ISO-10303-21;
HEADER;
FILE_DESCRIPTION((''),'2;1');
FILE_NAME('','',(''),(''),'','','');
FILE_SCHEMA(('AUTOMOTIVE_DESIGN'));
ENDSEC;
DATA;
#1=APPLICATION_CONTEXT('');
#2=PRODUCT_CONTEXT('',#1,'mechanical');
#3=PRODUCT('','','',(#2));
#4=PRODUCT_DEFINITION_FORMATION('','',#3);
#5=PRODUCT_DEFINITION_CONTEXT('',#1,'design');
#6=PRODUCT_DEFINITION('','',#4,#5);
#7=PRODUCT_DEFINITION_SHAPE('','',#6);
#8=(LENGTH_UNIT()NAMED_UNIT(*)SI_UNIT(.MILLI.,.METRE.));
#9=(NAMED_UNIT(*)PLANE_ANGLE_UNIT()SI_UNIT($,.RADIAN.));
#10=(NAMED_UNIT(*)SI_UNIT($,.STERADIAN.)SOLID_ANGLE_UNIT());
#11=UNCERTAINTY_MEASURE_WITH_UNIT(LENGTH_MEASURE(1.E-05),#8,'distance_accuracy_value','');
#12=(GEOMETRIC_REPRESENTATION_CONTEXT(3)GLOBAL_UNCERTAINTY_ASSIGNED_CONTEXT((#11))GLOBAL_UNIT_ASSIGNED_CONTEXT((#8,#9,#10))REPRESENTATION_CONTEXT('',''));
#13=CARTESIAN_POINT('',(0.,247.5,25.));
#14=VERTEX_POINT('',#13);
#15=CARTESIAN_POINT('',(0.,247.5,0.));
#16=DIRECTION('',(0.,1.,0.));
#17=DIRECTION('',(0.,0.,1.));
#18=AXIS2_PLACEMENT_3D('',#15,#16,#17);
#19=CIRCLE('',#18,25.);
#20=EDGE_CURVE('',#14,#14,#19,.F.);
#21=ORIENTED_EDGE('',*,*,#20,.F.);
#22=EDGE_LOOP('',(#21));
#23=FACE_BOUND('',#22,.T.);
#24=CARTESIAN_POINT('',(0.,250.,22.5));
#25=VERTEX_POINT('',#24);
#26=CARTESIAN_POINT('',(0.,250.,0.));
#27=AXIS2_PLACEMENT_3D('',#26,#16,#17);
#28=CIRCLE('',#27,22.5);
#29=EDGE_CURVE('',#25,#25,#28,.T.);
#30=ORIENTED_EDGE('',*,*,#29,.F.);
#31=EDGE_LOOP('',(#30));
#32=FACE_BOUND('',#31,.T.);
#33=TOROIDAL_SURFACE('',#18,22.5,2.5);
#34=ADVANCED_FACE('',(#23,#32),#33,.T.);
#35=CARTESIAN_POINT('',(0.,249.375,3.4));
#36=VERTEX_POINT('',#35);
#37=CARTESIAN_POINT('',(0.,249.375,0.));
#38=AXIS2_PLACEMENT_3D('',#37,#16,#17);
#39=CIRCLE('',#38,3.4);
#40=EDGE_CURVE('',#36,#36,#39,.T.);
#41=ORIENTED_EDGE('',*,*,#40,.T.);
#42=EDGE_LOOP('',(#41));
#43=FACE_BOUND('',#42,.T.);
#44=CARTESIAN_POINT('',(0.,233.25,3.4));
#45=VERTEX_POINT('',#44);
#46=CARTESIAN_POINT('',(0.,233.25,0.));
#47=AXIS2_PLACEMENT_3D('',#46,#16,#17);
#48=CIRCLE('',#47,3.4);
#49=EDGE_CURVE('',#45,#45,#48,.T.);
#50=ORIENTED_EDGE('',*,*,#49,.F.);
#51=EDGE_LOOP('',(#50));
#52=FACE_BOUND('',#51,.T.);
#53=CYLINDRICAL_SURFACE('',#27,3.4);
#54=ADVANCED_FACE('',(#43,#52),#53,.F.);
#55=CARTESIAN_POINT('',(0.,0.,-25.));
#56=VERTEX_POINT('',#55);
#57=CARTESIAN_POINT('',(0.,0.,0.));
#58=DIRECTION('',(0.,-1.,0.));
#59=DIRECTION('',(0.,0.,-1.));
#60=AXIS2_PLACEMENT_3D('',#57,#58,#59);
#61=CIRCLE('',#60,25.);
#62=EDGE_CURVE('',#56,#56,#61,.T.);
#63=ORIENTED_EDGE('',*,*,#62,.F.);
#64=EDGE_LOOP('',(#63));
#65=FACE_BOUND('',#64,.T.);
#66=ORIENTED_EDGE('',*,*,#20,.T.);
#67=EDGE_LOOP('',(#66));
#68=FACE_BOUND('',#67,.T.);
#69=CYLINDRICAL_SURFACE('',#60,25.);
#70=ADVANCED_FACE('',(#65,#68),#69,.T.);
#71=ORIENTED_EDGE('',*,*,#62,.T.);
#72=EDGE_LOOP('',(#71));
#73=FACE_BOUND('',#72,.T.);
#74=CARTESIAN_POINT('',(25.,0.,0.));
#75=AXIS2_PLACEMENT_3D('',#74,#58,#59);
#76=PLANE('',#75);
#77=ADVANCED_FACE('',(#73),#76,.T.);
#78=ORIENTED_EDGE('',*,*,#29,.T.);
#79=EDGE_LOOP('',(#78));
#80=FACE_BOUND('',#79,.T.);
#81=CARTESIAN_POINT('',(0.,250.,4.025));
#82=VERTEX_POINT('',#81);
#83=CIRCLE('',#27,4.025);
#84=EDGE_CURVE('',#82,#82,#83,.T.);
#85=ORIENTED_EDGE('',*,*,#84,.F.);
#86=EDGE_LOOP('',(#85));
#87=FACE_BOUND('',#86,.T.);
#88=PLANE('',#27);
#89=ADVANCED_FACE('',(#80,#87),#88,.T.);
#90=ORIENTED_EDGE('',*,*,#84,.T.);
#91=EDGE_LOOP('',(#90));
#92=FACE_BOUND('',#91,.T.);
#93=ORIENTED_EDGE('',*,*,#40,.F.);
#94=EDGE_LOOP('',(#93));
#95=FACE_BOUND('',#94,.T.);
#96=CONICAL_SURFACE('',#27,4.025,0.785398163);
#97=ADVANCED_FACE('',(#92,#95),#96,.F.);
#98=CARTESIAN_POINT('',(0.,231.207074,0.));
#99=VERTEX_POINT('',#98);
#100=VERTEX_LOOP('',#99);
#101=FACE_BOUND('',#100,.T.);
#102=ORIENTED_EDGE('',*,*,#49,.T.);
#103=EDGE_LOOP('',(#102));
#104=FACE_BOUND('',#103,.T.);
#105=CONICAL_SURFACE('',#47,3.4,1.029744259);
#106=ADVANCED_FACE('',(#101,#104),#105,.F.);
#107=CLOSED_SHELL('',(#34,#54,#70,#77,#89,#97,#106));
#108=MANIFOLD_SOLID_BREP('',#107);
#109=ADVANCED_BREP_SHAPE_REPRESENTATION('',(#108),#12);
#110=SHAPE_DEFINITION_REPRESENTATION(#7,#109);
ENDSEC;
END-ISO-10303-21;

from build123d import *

# Parameters (mm, degrees)
SKETCH1_W                   = 25
SKETCH1_H                   = 250
M8_TAPPED_HOLE1_D           = 6.8
M8_TAPPED_HOLE1_DEPTH       = 16.75
M8_TAPPED_HOLE1_CSINK_D     = 8.05
M8_TAPPED_HOLE1_CSINK_ANGLE = 90
M8_TAPPED_HOLE1_TIP         = 2.042926105
FILLET1_R                   = 2.5


with BuildPart() as part:
    # Sketch1 → Revolve1 (revolve)
    with BuildSketch(Plane.XY, mode=Mode.PRIVATE) as revolve1_sk:
        with Locations((12.5, 125)):
            Rectangle(SKETCH1_W, SKETCH1_H)
    revolve(revolve1_sk.sketch.rotate(Axis((0, 0, 0), (0, 1, 0)), 90), axis=Axis((0, 0, 0), (0, 1, 0)))

    # M8 Tapped Hole1
    with Locations(Plane.ZX.offset(250)):
        with Locations((0, 0)):
            CounterSinkHole(M8_TAPPED_HOLE1_D / 2, M8_TAPPED_HOLE1_CSINK_D / 2, depth=M8_TAPPED_HOLE1_DEPTH, counter_sink_angle=M8_TAPPED_HOLE1_CSINK_ANGLE)
            with Locations((0, 0, -(M8_TAPPED_HOLE1_DEPTH + M8_TAPPED_HOLE1_TIP / 2))):  # 118° drill point
                Cone(0, M8_TAPPED_HOLE1_D / 2, M8_TAPPED_HOLE1_TIP, mode=Mode.SUBTRACT)

    # Fillet1
    fillet1_edges = [part.edges().sort_by_distance(p)[0] for p in [
        (0, 250, 25),
    ]]
    fillet(fillet1_edges, radius=FILLET1_R)


solid = part.part
